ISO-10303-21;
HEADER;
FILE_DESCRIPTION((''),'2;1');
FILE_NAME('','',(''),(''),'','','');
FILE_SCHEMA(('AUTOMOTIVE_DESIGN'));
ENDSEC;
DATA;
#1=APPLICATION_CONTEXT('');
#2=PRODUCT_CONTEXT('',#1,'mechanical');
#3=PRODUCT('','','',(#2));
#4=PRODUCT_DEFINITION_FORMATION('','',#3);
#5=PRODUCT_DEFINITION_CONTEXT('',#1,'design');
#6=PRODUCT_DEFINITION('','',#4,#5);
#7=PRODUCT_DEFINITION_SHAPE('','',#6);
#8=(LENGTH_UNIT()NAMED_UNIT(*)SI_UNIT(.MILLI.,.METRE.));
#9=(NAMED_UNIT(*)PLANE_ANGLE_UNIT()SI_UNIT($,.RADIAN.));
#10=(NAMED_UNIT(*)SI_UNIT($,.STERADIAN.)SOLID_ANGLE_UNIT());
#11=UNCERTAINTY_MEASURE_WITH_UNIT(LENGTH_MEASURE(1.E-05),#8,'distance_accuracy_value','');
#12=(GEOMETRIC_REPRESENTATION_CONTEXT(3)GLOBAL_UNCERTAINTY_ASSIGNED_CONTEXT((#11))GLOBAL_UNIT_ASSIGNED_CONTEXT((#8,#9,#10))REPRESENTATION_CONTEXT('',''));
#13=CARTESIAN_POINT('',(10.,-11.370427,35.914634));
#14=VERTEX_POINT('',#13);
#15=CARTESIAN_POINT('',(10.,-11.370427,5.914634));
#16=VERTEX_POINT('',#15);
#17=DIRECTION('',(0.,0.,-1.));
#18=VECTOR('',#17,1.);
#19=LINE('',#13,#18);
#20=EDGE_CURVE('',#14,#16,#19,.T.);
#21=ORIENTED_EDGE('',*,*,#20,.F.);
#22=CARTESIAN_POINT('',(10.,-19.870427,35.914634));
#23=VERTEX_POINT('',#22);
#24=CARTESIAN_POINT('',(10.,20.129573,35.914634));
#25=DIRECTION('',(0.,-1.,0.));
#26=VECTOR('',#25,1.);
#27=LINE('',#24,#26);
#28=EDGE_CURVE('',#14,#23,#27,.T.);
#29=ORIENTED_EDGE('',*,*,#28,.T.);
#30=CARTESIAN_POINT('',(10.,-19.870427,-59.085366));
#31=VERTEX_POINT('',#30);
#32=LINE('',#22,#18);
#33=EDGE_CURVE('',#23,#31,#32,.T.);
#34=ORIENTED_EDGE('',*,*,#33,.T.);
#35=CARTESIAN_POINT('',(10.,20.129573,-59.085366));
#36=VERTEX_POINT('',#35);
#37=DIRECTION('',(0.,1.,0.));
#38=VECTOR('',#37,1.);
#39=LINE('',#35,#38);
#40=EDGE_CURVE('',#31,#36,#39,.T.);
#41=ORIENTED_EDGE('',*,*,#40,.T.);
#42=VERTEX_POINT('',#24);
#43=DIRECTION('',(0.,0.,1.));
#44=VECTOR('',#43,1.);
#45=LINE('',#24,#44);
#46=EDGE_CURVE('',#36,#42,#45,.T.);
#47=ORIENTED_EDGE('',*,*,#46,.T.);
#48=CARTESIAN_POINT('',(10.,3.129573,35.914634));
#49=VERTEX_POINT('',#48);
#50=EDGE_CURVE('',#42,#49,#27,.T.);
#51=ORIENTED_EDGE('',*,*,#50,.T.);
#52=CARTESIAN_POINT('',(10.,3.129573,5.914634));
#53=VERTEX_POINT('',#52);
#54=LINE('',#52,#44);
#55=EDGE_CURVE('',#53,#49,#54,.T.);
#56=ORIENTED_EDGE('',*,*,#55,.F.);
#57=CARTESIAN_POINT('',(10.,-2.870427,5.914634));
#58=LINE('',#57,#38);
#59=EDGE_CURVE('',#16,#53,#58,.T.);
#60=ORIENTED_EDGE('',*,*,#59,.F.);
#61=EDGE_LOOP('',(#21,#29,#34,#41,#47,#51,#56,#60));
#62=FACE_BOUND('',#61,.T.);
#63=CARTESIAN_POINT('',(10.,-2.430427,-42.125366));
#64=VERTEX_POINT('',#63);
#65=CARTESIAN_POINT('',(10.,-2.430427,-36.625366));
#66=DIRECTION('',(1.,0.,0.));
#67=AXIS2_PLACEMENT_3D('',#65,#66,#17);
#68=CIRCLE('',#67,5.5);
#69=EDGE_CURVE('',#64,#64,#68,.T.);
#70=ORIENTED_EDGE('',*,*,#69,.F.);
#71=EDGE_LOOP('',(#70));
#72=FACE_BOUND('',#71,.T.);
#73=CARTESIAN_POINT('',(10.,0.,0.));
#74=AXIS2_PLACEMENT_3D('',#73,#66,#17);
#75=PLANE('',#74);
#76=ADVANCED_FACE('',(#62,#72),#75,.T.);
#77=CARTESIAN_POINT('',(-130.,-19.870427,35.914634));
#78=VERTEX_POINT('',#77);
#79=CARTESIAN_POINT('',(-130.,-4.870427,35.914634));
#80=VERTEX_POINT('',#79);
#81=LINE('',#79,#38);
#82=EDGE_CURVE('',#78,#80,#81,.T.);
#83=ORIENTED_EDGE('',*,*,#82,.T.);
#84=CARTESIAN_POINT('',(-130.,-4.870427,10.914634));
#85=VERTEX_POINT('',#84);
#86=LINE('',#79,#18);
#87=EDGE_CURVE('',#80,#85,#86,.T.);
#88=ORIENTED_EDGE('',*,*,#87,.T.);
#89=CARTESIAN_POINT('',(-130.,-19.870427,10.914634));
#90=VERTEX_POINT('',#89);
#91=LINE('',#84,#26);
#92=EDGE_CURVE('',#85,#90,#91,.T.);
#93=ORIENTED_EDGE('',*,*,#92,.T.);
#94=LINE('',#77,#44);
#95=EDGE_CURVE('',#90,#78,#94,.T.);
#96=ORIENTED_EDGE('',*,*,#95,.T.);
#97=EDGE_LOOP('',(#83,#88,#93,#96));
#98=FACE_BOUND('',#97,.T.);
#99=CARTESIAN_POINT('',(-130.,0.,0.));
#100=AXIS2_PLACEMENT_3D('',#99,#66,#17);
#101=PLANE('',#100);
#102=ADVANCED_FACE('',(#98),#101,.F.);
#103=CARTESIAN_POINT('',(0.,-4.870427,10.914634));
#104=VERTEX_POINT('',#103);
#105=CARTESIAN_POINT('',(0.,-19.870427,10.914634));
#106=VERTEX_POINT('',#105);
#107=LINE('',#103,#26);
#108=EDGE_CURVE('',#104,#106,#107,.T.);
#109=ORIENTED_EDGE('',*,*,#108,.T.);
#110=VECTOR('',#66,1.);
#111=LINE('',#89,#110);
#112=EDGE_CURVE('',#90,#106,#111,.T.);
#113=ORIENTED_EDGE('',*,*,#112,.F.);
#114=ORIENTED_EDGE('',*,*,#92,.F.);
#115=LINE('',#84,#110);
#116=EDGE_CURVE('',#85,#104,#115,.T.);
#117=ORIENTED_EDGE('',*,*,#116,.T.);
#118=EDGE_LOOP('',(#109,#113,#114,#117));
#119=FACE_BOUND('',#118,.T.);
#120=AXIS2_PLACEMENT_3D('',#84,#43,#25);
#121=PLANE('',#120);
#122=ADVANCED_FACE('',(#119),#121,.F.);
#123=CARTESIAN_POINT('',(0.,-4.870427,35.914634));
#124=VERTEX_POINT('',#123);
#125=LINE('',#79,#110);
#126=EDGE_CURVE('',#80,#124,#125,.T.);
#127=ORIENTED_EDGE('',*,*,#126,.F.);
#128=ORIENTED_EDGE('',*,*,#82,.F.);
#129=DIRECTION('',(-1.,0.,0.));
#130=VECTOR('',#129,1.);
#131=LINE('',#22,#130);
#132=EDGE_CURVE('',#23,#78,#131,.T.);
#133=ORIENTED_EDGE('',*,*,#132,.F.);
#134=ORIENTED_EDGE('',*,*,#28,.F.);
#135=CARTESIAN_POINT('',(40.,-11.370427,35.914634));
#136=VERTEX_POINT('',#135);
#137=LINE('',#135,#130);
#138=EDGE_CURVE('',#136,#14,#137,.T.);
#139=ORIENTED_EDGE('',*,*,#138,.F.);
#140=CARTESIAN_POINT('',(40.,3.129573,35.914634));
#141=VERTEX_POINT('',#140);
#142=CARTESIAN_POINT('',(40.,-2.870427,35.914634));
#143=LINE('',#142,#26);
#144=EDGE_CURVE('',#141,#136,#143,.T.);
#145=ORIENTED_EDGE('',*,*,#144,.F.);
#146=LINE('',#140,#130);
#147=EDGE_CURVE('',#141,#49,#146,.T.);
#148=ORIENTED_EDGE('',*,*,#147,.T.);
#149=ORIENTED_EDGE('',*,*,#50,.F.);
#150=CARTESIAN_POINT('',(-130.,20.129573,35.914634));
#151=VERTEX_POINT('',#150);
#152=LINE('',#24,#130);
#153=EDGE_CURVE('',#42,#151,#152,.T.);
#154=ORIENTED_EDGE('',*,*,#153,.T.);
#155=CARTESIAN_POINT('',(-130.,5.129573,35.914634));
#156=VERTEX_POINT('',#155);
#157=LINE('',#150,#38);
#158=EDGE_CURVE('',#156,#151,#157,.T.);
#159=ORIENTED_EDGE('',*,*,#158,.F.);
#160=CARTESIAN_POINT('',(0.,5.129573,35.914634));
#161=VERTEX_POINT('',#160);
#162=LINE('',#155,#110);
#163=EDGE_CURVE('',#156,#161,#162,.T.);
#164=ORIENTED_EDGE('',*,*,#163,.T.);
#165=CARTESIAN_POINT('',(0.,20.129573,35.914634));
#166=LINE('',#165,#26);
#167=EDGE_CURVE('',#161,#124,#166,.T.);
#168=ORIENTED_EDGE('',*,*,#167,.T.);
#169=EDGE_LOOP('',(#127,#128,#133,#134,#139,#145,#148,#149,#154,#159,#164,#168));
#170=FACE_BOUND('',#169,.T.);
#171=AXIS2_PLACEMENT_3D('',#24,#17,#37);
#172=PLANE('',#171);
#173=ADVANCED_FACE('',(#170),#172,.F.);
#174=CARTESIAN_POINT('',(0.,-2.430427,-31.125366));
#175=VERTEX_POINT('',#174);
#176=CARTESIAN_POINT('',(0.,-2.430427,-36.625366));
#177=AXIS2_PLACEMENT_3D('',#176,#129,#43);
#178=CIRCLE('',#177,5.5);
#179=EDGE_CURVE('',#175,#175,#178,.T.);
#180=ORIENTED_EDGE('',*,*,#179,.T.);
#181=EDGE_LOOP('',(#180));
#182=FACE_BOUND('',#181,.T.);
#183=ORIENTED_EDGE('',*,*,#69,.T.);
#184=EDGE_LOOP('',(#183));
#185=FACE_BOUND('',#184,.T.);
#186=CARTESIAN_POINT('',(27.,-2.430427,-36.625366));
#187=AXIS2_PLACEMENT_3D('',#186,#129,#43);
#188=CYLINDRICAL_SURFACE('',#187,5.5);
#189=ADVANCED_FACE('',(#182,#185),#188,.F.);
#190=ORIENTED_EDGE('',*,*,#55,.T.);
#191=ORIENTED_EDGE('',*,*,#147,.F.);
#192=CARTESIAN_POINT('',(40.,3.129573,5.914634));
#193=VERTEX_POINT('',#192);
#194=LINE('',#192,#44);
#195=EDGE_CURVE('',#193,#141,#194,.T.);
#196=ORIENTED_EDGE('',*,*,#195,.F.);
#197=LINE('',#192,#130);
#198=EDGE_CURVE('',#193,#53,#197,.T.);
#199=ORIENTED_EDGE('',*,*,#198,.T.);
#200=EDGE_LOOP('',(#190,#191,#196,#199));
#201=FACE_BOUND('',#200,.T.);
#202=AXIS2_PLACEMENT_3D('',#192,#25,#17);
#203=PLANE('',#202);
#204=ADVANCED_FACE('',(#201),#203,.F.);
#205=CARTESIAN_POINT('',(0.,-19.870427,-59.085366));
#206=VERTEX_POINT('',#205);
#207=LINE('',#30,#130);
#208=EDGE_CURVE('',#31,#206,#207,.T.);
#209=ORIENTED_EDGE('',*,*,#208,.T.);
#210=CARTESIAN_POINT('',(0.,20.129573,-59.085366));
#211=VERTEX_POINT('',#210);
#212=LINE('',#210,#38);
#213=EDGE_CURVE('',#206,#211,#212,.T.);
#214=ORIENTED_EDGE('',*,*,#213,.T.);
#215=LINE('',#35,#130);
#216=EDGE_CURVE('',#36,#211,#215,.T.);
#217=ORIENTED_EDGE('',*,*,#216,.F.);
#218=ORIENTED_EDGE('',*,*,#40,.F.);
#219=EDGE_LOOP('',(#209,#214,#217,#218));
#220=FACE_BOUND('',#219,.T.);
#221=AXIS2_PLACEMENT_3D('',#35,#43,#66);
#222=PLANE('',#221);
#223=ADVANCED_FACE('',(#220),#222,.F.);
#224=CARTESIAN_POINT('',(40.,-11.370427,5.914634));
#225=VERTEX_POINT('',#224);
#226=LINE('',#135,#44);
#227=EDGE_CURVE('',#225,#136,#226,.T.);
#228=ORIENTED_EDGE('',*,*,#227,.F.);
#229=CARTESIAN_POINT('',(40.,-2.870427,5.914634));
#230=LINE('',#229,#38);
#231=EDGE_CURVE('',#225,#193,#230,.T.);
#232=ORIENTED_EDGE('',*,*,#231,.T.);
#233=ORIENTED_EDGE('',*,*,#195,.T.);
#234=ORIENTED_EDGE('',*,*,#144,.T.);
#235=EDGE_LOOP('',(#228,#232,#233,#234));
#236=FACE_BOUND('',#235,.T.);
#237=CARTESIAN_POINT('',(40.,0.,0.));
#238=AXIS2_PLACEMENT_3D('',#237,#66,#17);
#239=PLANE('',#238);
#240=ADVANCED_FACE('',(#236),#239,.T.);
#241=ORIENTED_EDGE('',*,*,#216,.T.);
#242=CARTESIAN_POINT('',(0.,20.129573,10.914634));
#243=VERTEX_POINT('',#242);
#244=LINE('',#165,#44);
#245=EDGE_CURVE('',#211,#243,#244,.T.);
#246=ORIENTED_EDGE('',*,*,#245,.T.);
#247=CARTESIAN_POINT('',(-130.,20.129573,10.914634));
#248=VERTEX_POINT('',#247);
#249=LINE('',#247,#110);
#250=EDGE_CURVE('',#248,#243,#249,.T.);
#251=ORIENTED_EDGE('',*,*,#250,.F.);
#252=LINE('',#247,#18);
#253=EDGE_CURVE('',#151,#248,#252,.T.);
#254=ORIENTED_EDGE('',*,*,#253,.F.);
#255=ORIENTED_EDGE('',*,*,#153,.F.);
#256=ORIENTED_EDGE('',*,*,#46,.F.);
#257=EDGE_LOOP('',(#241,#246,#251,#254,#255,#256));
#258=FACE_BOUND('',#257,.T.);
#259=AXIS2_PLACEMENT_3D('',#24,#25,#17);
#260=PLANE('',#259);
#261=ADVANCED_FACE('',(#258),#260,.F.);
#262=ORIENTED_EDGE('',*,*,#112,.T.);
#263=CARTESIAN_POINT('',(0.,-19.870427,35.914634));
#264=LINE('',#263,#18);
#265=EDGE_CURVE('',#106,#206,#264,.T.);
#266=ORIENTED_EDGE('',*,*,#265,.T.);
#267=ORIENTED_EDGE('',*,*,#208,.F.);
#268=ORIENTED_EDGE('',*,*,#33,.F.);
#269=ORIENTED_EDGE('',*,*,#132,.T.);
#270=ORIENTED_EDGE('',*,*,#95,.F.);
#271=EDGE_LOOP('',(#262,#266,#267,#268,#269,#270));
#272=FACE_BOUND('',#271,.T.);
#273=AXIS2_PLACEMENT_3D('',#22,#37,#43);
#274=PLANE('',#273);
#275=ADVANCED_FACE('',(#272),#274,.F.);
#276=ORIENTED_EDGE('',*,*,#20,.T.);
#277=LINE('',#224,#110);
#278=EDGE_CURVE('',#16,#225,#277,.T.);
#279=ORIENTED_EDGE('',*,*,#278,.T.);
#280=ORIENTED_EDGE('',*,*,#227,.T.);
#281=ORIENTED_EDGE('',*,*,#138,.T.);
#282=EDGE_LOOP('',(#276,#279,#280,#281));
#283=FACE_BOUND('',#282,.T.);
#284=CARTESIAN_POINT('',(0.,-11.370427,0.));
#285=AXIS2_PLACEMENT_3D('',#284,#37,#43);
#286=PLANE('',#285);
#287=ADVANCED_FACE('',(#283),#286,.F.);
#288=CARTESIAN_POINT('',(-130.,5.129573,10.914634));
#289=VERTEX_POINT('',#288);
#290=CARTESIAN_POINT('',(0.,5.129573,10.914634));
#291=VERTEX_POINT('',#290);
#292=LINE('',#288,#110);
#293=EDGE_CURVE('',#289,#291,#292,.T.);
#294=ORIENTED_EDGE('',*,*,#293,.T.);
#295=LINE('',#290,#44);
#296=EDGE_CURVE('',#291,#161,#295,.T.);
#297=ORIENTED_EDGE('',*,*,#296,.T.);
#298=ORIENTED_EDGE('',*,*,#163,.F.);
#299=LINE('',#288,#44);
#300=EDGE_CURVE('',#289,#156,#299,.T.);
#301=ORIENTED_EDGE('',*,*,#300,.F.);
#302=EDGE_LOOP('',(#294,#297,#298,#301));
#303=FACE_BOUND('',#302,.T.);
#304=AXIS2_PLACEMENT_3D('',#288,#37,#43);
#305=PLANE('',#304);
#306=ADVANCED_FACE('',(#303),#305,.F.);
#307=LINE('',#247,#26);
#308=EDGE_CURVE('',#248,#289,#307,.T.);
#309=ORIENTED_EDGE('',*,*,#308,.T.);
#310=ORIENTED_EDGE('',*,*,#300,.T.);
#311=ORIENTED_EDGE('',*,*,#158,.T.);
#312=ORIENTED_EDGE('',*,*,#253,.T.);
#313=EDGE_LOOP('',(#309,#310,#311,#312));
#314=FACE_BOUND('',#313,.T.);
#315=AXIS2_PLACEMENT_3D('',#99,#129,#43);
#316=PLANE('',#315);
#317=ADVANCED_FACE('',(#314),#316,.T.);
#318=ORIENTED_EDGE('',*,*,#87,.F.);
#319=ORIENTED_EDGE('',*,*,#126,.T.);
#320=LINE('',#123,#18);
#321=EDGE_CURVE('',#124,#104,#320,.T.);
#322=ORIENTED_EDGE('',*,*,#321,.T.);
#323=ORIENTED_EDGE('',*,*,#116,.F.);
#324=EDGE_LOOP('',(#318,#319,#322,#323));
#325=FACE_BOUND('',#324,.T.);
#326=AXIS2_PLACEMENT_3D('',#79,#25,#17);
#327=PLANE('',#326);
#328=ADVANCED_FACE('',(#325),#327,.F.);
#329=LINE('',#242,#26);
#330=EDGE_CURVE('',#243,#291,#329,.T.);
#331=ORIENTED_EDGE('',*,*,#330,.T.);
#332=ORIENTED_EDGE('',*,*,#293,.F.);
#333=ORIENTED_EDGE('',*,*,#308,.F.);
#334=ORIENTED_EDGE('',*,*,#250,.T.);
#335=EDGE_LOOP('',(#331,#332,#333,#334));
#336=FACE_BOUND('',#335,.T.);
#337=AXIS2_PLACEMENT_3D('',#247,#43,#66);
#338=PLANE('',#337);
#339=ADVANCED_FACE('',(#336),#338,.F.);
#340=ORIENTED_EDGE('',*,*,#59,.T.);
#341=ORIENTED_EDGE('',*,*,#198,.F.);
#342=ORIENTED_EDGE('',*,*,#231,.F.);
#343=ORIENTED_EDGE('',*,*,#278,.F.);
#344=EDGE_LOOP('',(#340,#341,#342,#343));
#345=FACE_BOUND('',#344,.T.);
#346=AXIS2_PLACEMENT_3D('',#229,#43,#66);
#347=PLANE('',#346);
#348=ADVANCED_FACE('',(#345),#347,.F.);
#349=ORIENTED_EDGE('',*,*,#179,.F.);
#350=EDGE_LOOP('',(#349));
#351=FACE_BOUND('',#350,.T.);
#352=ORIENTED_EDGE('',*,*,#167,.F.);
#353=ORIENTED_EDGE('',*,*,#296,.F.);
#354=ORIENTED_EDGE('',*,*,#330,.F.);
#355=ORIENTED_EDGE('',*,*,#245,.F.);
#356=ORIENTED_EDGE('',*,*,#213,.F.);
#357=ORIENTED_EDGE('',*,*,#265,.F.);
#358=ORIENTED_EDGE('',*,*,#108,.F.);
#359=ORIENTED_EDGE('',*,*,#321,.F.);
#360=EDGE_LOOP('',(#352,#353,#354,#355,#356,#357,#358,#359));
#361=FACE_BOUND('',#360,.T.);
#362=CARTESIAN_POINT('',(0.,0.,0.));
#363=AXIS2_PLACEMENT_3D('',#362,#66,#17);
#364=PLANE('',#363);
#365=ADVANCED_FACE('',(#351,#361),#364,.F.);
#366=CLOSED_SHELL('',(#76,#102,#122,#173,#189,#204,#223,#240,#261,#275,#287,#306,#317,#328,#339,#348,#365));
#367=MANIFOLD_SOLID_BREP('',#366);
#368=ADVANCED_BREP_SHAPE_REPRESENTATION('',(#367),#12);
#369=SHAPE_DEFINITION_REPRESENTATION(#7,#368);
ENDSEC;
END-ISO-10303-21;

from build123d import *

# Parameters (mm, degrees)
SKETCH1_W           = 95
SKETCH1_H           = 40
BOSS_EXTRUDE1_DEPTH = 10
SKETCH4_W           = 25
SKETCH4_H           = 15
BOSS_EXTRUDE4_DEPTH = 130
SKETCH5_R           = 5.5
CUT_EXTRUDE1_DEPTH  = 27
SKETCH6_W           = 30
SKETCH6_H           = 6
BOSS_EXTRUDE5_DEPTH = 30
SKETCH7_W           = 30
SKETCH7_H           = 30
BOSS_EXTRUDE6_DEPTH = 8.5


with BuildPart() as part:
    # Sketch1 → Boss-Extrude1 (new body)
    with BuildSketch(Plane(origin=(0, 0, 0), x_dir=(0, 0, -1), z_dir=(1, 0, 0))):
        with Locations((11.585365854, 0.129573171)):
            Rectangle(SKETCH1_W, SKETCH1_H)
    extrude(amount=BOSS_EXTRUDE1_DEPTH)

    # Sketch4 → Boss-Extrude4 (add)
    with BuildSketch(Plane.ZY):
        with Locations((23.414634146, 12.629573171)):
            Rectangle(SKETCH4_W, SKETCH4_H)
        with Locations((23.414634146, -12.370426829)):
            Rectangle(SKETCH4_W, SKETCH4_H)
    extrude(amount=BOSS_EXTRUDE4_DEPTH)

    # Sketch5 → Cut-Extrude1 (cut)
    with BuildSketch(Plane.ZY):
        with Locations((-36.625365854, -2.430426829)):
            Circle(SKETCH5_R)
    extrude(amount=-CUT_EXTRUDE1_DEPTH, mode=Mode.SUBTRACT)

    # Sketch6 → Boss-Extrude5 (add)
    with BuildSketch(Plane(origin=(10, 0, 0), x_dir=(0, 0, -1), z_dir=(1, 0, 0))):
        with Locations((-20.914634146, 0.129573171)):
            Rectangle(SKETCH6_W, SKETCH6_H)
    extrude(amount=BOSS_EXTRUDE5_DEPTH)

    # Sketch7 → Boss-Extrude6 (add)
    with BuildSketch(Plane.XZ.offset(2.870426829)):
        with Locations((25, 20.914634146)):
            Rectangle(SKETCH7_W, SKETCH7_H)
    extrude(amount=BOSS_EXTRUDE6_DEPTH)


solid = part.part
